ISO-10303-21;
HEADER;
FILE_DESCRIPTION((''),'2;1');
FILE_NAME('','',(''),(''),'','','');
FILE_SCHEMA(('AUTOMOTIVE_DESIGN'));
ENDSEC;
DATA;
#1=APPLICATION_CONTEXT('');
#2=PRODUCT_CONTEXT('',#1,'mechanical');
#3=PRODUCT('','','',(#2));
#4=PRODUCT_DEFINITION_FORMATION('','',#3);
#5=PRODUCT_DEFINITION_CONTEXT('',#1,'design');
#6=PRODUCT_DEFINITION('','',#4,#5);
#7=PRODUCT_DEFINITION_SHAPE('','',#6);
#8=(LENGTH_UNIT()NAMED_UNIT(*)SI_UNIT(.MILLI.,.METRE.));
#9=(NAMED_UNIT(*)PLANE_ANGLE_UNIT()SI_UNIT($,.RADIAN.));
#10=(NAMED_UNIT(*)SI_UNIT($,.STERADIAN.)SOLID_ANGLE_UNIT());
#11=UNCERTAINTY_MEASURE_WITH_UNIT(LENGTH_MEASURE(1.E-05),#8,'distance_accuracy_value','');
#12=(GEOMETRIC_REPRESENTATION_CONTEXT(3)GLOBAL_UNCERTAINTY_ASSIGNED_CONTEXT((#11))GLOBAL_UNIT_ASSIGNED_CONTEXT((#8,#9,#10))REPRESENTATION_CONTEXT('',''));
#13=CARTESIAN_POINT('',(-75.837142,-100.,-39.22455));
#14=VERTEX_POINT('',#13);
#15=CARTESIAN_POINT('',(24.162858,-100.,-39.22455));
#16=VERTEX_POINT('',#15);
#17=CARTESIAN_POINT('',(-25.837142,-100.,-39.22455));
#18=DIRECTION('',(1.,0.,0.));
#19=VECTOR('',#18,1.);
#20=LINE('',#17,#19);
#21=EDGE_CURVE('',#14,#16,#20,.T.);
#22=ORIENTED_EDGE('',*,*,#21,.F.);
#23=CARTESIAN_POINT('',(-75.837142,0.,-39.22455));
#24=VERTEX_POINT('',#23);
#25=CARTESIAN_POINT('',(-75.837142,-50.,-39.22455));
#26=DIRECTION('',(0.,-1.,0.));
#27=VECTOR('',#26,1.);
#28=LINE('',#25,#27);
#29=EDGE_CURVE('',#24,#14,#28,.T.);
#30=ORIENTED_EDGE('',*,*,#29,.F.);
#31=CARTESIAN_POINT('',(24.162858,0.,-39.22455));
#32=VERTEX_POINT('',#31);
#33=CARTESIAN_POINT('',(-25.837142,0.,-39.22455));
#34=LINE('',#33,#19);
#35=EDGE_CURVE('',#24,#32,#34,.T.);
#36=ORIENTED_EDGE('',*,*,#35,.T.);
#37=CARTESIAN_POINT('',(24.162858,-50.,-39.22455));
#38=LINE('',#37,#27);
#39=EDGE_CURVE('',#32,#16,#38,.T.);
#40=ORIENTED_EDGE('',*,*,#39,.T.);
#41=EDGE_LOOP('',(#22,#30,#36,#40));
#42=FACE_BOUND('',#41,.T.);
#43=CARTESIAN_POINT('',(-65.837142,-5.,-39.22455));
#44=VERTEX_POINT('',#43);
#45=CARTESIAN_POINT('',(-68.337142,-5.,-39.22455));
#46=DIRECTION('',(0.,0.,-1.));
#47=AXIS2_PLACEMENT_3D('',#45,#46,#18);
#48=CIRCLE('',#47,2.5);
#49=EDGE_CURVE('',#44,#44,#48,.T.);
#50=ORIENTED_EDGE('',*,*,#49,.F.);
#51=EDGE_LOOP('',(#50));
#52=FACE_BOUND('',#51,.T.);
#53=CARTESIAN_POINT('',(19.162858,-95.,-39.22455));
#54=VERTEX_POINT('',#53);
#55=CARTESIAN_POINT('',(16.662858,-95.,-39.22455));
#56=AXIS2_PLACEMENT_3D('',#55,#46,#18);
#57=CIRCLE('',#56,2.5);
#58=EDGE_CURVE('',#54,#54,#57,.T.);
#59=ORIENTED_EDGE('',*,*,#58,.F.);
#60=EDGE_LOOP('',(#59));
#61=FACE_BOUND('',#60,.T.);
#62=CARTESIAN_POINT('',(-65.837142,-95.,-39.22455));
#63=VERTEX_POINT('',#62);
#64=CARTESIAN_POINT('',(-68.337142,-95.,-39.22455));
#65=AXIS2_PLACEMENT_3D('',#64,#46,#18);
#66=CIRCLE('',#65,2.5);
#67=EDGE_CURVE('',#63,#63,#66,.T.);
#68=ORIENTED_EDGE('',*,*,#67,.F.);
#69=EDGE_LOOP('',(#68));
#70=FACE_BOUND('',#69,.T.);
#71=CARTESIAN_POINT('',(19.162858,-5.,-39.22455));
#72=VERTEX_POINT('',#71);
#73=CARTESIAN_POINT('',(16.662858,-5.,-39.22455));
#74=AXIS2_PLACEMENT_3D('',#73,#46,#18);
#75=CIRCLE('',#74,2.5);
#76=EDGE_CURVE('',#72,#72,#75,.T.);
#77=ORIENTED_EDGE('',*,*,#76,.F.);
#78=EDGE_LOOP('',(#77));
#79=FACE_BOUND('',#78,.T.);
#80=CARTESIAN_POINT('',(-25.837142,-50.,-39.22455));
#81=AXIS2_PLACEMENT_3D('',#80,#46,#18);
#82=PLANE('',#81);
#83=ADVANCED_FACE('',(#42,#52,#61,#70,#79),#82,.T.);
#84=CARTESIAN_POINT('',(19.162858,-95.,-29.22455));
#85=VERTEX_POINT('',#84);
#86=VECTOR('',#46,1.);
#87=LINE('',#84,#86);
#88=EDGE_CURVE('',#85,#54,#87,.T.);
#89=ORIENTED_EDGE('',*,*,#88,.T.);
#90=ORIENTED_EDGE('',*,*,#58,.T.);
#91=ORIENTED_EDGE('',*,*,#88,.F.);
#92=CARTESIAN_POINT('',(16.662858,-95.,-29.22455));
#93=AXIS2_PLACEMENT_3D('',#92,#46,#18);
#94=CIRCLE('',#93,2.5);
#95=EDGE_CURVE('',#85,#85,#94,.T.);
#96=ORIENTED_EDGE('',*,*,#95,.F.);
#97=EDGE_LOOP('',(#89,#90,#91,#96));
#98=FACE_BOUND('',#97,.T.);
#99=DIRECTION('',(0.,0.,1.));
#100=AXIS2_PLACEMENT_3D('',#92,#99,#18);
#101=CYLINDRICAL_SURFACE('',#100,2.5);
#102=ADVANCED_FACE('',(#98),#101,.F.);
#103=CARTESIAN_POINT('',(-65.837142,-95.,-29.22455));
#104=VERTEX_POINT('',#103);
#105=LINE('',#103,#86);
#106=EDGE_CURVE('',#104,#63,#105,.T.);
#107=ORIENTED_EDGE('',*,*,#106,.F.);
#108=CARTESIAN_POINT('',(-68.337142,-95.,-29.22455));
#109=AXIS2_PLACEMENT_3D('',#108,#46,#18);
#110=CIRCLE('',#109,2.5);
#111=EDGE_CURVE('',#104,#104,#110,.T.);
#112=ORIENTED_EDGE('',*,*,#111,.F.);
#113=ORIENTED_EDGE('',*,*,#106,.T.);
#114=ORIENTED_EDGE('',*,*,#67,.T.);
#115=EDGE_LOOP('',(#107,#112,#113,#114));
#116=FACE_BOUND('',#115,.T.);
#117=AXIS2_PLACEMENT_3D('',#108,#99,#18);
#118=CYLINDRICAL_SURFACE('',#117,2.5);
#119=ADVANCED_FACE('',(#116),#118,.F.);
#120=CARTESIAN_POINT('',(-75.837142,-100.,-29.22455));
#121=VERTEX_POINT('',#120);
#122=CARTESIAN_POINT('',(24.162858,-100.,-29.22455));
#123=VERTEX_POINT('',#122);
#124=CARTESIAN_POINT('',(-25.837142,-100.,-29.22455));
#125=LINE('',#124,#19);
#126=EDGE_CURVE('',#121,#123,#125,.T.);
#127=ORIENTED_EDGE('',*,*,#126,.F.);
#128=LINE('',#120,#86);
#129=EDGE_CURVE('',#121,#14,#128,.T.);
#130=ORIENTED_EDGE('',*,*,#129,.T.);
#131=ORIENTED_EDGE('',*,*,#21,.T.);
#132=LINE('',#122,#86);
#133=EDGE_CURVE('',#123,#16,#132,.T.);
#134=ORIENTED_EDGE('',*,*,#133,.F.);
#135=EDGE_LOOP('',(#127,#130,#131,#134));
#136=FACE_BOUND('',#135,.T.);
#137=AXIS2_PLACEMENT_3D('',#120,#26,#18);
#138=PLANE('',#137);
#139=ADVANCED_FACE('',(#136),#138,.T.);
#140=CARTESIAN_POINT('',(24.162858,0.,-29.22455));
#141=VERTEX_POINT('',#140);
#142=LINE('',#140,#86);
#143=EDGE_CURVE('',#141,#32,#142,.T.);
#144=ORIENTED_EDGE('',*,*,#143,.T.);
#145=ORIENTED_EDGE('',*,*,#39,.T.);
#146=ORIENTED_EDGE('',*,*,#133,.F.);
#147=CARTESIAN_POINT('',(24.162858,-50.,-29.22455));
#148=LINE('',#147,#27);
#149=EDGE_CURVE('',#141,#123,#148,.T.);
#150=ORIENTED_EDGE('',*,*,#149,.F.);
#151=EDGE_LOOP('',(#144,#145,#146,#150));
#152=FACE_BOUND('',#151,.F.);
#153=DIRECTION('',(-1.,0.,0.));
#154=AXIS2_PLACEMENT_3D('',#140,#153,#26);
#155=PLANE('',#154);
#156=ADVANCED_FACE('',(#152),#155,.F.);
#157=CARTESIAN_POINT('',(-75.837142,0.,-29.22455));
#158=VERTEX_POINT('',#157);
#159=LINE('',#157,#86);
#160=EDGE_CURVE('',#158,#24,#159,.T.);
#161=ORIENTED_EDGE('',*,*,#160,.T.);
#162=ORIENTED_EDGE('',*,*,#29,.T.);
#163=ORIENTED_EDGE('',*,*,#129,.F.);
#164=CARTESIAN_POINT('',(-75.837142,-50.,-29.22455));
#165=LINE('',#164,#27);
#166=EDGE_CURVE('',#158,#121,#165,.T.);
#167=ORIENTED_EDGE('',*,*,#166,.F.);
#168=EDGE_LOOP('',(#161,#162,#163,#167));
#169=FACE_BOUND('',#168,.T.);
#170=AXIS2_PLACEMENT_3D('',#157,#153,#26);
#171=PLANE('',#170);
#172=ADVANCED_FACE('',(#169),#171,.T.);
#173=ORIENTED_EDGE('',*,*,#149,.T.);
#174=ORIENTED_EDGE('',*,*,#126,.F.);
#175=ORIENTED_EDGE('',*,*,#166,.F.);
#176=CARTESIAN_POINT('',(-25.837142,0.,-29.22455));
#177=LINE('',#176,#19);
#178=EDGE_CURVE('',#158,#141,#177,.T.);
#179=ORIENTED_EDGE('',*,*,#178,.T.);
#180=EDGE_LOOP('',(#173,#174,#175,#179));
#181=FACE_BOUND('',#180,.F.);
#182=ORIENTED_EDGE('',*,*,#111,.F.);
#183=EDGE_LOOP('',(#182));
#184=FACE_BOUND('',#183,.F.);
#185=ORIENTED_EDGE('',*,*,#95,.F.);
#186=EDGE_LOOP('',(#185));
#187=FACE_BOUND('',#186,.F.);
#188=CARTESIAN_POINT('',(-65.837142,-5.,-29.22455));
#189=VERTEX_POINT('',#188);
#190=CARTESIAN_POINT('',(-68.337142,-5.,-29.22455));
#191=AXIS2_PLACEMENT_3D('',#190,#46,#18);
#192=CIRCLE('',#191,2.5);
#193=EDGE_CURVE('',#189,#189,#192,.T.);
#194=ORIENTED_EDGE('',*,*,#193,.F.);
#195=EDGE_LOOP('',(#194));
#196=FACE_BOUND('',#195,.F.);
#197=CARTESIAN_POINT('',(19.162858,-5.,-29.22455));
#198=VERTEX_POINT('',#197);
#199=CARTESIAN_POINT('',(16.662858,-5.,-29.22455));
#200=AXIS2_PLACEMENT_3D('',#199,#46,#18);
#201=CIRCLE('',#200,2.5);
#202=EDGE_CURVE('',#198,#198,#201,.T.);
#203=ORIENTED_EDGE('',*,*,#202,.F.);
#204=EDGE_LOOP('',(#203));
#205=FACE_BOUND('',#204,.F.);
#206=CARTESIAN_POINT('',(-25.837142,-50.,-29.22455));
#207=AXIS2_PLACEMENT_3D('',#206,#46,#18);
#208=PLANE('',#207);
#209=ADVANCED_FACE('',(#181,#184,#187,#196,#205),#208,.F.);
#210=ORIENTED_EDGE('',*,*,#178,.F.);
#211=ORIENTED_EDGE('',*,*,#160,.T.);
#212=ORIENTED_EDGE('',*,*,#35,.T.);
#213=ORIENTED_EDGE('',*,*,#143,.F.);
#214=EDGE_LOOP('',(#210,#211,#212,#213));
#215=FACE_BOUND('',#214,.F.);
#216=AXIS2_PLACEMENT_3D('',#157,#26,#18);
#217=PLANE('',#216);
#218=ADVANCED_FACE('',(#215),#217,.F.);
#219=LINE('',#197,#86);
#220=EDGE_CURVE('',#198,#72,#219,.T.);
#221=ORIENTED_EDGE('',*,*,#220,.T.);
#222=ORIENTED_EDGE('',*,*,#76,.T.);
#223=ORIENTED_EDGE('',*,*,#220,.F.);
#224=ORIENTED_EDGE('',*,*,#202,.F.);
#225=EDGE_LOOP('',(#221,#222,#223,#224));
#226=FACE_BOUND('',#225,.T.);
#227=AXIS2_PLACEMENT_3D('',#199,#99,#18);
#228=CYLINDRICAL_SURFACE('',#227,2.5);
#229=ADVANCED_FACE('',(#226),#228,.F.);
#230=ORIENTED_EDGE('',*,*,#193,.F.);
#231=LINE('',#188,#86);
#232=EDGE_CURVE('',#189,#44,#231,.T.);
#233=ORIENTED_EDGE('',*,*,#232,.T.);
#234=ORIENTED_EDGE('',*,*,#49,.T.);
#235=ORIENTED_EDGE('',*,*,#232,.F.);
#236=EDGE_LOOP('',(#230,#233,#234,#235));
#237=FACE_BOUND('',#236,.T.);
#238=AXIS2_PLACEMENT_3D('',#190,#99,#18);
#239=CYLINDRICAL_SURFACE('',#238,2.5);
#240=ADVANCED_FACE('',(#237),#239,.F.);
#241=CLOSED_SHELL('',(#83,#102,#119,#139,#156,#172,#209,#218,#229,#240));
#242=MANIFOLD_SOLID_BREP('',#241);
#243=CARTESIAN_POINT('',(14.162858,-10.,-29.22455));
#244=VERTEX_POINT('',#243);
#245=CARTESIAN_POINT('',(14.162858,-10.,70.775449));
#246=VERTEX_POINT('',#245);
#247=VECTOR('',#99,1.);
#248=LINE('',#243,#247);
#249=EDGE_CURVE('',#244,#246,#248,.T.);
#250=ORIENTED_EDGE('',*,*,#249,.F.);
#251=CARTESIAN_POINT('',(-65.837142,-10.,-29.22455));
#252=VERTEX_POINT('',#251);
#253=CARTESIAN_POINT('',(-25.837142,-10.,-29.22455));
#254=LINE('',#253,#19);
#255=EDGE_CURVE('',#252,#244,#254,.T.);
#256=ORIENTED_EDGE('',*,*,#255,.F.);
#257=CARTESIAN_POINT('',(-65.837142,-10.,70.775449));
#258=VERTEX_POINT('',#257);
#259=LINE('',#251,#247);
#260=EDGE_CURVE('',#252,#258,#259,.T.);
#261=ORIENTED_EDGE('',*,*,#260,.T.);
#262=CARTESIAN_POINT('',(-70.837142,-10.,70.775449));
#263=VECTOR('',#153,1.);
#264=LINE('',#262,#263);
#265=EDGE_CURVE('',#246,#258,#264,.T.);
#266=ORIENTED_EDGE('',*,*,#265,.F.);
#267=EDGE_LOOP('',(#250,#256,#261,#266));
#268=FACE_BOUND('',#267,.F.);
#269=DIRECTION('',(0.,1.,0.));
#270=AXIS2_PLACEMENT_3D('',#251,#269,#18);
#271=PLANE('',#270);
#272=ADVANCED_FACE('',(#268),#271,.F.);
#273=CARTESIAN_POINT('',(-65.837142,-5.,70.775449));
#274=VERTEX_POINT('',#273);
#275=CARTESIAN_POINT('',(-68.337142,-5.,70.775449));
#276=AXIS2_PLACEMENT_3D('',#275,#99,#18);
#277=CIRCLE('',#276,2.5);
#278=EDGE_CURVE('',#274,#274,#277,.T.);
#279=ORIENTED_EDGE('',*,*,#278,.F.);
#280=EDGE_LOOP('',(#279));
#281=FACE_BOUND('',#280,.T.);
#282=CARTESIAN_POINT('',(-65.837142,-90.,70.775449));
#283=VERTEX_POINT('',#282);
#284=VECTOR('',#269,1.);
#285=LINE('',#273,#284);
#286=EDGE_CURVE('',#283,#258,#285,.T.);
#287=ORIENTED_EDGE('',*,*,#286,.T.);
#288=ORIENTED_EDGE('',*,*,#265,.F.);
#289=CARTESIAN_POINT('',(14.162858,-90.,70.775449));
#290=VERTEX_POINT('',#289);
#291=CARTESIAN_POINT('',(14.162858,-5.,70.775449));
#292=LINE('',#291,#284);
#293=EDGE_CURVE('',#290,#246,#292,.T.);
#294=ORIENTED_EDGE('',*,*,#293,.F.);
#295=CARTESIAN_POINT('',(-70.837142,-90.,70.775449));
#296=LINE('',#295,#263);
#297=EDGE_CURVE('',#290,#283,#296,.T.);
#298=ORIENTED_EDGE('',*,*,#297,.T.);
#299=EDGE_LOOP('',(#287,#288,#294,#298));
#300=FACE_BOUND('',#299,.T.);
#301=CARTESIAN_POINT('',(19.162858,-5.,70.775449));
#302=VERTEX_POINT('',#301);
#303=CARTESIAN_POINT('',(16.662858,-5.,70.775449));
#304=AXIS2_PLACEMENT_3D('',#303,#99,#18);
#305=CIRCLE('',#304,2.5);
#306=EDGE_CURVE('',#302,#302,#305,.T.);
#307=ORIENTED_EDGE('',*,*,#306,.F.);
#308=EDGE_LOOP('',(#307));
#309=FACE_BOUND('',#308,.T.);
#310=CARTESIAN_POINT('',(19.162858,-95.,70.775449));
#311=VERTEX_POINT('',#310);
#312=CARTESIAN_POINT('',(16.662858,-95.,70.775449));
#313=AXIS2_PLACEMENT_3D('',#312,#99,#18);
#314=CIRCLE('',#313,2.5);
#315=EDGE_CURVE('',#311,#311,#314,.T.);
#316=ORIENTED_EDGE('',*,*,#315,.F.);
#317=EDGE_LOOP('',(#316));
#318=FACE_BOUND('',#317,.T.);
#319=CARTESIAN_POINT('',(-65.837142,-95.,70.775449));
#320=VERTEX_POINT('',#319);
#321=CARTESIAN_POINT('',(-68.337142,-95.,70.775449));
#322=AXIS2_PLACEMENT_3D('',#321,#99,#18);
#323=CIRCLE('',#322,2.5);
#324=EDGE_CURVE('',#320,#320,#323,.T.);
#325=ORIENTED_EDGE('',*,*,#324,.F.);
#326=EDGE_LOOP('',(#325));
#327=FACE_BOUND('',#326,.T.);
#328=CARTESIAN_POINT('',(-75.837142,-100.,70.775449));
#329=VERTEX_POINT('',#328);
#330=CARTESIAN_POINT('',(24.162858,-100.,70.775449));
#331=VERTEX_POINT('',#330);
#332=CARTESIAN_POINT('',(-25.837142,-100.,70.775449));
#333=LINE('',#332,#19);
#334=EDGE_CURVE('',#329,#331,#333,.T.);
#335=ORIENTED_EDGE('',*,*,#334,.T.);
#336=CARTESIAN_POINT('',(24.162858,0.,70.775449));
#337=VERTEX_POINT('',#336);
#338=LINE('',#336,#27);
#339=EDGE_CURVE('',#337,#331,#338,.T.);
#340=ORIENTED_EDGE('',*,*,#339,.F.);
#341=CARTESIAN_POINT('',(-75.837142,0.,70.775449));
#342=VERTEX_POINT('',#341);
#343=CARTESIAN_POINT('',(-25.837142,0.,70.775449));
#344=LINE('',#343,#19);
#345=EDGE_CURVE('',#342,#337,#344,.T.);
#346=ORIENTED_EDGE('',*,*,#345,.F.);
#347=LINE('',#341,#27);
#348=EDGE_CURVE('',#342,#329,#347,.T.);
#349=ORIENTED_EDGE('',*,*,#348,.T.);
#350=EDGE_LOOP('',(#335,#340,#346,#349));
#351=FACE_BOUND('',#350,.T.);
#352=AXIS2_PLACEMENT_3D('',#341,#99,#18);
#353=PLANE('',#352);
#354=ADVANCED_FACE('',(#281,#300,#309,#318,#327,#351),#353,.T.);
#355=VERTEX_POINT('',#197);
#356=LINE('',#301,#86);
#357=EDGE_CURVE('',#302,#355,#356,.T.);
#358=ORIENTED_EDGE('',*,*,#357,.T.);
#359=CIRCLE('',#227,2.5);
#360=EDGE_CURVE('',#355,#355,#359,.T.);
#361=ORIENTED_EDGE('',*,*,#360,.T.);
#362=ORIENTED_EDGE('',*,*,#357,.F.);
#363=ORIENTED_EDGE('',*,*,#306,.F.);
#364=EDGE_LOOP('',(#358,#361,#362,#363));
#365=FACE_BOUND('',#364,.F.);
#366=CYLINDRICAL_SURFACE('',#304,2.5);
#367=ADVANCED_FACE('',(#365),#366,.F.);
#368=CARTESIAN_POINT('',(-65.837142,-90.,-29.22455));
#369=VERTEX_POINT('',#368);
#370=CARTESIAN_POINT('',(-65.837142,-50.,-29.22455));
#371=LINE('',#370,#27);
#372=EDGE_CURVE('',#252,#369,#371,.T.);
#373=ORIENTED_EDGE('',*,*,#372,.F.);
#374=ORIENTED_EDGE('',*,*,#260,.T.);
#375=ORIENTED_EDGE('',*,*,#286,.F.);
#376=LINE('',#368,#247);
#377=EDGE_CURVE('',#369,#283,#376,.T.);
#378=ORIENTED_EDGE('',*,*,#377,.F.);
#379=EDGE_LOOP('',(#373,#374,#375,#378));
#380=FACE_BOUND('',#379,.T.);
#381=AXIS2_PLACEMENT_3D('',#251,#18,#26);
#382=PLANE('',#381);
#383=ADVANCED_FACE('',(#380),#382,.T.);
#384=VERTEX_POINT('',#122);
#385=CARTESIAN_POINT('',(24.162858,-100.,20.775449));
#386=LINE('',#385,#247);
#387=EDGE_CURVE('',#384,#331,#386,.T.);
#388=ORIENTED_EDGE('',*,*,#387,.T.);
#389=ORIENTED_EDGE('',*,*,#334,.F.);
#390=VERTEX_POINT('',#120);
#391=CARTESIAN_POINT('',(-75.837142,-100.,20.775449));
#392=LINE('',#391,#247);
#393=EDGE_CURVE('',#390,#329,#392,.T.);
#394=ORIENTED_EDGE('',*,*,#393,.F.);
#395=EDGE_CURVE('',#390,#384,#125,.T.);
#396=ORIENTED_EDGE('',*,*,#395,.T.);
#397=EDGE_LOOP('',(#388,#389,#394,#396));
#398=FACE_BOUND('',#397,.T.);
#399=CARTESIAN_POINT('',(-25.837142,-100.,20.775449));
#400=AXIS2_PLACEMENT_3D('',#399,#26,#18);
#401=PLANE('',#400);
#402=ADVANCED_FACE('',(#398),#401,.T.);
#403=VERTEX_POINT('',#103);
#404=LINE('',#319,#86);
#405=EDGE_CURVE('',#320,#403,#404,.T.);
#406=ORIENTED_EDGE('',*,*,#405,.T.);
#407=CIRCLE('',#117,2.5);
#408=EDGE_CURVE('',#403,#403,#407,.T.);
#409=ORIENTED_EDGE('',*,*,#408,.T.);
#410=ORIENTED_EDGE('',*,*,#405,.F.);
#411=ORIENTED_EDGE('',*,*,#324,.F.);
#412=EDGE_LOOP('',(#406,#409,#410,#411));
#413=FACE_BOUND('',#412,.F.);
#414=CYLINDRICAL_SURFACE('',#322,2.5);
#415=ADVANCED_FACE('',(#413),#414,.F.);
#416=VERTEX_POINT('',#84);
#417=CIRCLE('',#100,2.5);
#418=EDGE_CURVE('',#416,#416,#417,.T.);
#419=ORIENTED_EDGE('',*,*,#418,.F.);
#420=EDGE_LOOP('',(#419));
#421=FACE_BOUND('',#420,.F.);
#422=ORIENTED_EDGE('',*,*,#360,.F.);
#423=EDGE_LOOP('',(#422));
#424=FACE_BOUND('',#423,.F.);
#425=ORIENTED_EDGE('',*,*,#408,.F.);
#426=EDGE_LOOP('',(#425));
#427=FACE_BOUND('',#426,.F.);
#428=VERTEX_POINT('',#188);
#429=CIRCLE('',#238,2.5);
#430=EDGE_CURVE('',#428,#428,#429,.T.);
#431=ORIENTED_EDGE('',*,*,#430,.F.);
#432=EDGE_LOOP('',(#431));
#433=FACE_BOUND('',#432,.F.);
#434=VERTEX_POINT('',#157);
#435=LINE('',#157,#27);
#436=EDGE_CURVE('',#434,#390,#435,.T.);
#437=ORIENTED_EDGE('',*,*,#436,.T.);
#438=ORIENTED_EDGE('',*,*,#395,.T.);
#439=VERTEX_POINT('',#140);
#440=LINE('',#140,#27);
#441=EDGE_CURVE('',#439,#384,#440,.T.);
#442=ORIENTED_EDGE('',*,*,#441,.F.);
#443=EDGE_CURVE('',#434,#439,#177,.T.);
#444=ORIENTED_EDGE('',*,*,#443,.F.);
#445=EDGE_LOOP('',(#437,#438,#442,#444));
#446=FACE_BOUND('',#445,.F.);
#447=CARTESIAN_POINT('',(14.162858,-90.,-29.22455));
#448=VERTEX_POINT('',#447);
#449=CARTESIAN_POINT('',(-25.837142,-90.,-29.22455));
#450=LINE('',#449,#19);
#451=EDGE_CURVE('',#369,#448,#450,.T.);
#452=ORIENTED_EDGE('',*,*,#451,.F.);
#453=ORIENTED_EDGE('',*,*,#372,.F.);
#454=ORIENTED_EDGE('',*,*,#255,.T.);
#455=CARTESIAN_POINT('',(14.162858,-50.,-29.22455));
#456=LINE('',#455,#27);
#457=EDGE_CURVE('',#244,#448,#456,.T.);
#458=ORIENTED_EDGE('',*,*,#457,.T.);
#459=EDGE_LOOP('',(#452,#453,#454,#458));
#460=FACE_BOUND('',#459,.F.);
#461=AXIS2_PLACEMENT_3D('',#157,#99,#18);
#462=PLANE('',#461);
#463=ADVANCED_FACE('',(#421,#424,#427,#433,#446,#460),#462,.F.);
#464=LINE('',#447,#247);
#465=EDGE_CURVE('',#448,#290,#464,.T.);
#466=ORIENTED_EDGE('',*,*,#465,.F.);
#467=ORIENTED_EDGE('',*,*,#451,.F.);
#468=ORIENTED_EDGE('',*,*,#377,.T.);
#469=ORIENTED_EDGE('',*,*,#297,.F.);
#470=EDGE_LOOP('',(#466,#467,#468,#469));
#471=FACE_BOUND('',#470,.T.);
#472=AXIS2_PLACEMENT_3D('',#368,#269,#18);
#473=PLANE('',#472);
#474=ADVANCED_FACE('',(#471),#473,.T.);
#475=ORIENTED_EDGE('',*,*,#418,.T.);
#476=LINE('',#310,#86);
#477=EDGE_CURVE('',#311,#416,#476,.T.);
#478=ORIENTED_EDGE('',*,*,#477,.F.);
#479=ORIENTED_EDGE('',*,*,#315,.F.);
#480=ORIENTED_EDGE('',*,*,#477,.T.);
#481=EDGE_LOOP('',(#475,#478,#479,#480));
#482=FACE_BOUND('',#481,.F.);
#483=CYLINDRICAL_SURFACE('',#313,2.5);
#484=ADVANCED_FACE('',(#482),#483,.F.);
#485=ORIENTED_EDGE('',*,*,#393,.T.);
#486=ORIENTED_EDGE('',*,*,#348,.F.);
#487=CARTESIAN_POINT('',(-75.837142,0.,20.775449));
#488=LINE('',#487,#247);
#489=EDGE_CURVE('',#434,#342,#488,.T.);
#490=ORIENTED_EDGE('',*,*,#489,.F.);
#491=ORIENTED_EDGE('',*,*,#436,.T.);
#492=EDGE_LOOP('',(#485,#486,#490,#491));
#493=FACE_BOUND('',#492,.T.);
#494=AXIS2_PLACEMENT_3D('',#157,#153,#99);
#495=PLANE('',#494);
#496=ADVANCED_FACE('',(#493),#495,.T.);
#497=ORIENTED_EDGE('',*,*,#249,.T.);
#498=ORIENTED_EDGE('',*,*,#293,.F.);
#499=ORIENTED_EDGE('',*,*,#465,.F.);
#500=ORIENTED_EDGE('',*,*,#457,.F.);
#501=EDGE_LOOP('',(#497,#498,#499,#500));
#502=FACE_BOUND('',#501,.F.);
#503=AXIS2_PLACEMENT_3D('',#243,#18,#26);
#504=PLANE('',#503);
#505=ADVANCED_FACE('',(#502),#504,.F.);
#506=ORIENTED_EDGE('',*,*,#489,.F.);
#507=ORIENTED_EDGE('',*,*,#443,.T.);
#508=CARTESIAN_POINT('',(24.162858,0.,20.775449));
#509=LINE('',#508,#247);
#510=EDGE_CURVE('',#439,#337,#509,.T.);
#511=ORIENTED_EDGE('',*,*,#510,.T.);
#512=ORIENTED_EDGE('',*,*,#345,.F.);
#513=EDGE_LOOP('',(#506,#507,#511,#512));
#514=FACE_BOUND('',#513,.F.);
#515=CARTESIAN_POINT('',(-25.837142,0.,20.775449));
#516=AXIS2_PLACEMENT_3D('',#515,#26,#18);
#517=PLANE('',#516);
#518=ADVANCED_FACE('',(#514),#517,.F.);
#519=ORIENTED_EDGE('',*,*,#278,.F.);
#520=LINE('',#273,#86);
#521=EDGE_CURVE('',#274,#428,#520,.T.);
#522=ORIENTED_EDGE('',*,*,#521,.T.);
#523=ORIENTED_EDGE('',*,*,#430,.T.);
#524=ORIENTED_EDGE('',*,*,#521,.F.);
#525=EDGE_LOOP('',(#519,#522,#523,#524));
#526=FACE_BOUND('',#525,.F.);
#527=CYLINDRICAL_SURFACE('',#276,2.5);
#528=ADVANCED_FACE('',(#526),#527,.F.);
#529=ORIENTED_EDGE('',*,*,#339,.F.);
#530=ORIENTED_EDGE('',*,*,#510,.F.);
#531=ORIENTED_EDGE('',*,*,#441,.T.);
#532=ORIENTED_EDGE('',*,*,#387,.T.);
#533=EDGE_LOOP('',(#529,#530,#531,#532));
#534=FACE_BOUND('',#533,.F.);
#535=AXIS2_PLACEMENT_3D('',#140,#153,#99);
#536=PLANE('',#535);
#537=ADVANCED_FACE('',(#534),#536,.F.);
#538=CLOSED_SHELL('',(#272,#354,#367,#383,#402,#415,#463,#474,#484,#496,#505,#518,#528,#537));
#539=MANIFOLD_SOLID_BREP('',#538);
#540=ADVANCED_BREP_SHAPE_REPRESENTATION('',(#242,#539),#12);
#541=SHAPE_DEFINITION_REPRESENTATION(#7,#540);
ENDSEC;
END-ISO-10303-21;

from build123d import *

# Parameters (mm, degrees)
F0_W     = 100
F0_H     = 99.9999981374
F1_DEPTH = 100
F2_W     = 80
F2_H     = 80
F3_DEPTH = 100.0009981374
F4_R     = 2.5
F5_DEPTH = 100.0009981374
F6_W     = 100
F6_H     = 100
F6_R     = 2.5
F7_DEPTH = 10


with BuildPart() as f1:
    # F0 (on Front) → F1 (new body)
    with BuildSketch(Plane.XZ):
        with Locations((-25.8371420205, 20.7754494622)):
            Rectangle(F0_W, F0_H)
    extrude(amount=F1_DEPTH)

    # F2 (on face) → F3 (cut, through all)
    with BuildSketch(Plane(origin=(0, 0, -29.2245496065), x_dir=(1, 0, 0), z_dir=(0, 0, -1))):
        with Locations((-25.8371420205, 50)):
            Rectangle(F2_W, F2_H)
    extrude(amount=-F3_DEPTH, mode=Mode.SUBTRACT)

    # F4 (on face) → F5 (cut, through all)
    with BuildSketch(Plane.XY.offset(70.7754485309)):
        with Locations((-68.3371420205, -95)):
            Circle(F4_R)
        with Locations((-68.3371420205, -5)):
            Circle(F4_R)
        with Locations((16.6628579795, -5)):
            Circle(F4_R)
        with Locations((16.6628579795, -95)):
            Circle(F4_R)
    extrude(amount=-F5_DEPTH, mode=Mode.SUBTRACT)


with BuildPart() as f7:
    # F6 (on face) → F7 (new body)
    with BuildSketch(Plane(origin=(0, 0, -29.2245496065), x_dir=(1, 0, 0), z_dir=(0, 0, -1))):
        with Locations((-25.8371420205, 50)):
            Rectangle(F6_W, F6_H)
        with Locations((-68.3371420205, 5)):
            Circle(F6_R, mode=Mode.SUBTRACT)
        with Locations((16.6628579795, 5)):
            Circle(F6_R, mode=Mode.SUBTRACT)
        with Locations((-68.3371420205, 95)):
            Circle(F6_R, mode=Mode.SUBTRACT)
        with Locations((16.6628579795, 95)):
            Circle(F6_R, mode=Mode.SUBTRACT)
    extrude(amount=F7_DEPTH)


solid = Compound([f1.part, f7.part])
